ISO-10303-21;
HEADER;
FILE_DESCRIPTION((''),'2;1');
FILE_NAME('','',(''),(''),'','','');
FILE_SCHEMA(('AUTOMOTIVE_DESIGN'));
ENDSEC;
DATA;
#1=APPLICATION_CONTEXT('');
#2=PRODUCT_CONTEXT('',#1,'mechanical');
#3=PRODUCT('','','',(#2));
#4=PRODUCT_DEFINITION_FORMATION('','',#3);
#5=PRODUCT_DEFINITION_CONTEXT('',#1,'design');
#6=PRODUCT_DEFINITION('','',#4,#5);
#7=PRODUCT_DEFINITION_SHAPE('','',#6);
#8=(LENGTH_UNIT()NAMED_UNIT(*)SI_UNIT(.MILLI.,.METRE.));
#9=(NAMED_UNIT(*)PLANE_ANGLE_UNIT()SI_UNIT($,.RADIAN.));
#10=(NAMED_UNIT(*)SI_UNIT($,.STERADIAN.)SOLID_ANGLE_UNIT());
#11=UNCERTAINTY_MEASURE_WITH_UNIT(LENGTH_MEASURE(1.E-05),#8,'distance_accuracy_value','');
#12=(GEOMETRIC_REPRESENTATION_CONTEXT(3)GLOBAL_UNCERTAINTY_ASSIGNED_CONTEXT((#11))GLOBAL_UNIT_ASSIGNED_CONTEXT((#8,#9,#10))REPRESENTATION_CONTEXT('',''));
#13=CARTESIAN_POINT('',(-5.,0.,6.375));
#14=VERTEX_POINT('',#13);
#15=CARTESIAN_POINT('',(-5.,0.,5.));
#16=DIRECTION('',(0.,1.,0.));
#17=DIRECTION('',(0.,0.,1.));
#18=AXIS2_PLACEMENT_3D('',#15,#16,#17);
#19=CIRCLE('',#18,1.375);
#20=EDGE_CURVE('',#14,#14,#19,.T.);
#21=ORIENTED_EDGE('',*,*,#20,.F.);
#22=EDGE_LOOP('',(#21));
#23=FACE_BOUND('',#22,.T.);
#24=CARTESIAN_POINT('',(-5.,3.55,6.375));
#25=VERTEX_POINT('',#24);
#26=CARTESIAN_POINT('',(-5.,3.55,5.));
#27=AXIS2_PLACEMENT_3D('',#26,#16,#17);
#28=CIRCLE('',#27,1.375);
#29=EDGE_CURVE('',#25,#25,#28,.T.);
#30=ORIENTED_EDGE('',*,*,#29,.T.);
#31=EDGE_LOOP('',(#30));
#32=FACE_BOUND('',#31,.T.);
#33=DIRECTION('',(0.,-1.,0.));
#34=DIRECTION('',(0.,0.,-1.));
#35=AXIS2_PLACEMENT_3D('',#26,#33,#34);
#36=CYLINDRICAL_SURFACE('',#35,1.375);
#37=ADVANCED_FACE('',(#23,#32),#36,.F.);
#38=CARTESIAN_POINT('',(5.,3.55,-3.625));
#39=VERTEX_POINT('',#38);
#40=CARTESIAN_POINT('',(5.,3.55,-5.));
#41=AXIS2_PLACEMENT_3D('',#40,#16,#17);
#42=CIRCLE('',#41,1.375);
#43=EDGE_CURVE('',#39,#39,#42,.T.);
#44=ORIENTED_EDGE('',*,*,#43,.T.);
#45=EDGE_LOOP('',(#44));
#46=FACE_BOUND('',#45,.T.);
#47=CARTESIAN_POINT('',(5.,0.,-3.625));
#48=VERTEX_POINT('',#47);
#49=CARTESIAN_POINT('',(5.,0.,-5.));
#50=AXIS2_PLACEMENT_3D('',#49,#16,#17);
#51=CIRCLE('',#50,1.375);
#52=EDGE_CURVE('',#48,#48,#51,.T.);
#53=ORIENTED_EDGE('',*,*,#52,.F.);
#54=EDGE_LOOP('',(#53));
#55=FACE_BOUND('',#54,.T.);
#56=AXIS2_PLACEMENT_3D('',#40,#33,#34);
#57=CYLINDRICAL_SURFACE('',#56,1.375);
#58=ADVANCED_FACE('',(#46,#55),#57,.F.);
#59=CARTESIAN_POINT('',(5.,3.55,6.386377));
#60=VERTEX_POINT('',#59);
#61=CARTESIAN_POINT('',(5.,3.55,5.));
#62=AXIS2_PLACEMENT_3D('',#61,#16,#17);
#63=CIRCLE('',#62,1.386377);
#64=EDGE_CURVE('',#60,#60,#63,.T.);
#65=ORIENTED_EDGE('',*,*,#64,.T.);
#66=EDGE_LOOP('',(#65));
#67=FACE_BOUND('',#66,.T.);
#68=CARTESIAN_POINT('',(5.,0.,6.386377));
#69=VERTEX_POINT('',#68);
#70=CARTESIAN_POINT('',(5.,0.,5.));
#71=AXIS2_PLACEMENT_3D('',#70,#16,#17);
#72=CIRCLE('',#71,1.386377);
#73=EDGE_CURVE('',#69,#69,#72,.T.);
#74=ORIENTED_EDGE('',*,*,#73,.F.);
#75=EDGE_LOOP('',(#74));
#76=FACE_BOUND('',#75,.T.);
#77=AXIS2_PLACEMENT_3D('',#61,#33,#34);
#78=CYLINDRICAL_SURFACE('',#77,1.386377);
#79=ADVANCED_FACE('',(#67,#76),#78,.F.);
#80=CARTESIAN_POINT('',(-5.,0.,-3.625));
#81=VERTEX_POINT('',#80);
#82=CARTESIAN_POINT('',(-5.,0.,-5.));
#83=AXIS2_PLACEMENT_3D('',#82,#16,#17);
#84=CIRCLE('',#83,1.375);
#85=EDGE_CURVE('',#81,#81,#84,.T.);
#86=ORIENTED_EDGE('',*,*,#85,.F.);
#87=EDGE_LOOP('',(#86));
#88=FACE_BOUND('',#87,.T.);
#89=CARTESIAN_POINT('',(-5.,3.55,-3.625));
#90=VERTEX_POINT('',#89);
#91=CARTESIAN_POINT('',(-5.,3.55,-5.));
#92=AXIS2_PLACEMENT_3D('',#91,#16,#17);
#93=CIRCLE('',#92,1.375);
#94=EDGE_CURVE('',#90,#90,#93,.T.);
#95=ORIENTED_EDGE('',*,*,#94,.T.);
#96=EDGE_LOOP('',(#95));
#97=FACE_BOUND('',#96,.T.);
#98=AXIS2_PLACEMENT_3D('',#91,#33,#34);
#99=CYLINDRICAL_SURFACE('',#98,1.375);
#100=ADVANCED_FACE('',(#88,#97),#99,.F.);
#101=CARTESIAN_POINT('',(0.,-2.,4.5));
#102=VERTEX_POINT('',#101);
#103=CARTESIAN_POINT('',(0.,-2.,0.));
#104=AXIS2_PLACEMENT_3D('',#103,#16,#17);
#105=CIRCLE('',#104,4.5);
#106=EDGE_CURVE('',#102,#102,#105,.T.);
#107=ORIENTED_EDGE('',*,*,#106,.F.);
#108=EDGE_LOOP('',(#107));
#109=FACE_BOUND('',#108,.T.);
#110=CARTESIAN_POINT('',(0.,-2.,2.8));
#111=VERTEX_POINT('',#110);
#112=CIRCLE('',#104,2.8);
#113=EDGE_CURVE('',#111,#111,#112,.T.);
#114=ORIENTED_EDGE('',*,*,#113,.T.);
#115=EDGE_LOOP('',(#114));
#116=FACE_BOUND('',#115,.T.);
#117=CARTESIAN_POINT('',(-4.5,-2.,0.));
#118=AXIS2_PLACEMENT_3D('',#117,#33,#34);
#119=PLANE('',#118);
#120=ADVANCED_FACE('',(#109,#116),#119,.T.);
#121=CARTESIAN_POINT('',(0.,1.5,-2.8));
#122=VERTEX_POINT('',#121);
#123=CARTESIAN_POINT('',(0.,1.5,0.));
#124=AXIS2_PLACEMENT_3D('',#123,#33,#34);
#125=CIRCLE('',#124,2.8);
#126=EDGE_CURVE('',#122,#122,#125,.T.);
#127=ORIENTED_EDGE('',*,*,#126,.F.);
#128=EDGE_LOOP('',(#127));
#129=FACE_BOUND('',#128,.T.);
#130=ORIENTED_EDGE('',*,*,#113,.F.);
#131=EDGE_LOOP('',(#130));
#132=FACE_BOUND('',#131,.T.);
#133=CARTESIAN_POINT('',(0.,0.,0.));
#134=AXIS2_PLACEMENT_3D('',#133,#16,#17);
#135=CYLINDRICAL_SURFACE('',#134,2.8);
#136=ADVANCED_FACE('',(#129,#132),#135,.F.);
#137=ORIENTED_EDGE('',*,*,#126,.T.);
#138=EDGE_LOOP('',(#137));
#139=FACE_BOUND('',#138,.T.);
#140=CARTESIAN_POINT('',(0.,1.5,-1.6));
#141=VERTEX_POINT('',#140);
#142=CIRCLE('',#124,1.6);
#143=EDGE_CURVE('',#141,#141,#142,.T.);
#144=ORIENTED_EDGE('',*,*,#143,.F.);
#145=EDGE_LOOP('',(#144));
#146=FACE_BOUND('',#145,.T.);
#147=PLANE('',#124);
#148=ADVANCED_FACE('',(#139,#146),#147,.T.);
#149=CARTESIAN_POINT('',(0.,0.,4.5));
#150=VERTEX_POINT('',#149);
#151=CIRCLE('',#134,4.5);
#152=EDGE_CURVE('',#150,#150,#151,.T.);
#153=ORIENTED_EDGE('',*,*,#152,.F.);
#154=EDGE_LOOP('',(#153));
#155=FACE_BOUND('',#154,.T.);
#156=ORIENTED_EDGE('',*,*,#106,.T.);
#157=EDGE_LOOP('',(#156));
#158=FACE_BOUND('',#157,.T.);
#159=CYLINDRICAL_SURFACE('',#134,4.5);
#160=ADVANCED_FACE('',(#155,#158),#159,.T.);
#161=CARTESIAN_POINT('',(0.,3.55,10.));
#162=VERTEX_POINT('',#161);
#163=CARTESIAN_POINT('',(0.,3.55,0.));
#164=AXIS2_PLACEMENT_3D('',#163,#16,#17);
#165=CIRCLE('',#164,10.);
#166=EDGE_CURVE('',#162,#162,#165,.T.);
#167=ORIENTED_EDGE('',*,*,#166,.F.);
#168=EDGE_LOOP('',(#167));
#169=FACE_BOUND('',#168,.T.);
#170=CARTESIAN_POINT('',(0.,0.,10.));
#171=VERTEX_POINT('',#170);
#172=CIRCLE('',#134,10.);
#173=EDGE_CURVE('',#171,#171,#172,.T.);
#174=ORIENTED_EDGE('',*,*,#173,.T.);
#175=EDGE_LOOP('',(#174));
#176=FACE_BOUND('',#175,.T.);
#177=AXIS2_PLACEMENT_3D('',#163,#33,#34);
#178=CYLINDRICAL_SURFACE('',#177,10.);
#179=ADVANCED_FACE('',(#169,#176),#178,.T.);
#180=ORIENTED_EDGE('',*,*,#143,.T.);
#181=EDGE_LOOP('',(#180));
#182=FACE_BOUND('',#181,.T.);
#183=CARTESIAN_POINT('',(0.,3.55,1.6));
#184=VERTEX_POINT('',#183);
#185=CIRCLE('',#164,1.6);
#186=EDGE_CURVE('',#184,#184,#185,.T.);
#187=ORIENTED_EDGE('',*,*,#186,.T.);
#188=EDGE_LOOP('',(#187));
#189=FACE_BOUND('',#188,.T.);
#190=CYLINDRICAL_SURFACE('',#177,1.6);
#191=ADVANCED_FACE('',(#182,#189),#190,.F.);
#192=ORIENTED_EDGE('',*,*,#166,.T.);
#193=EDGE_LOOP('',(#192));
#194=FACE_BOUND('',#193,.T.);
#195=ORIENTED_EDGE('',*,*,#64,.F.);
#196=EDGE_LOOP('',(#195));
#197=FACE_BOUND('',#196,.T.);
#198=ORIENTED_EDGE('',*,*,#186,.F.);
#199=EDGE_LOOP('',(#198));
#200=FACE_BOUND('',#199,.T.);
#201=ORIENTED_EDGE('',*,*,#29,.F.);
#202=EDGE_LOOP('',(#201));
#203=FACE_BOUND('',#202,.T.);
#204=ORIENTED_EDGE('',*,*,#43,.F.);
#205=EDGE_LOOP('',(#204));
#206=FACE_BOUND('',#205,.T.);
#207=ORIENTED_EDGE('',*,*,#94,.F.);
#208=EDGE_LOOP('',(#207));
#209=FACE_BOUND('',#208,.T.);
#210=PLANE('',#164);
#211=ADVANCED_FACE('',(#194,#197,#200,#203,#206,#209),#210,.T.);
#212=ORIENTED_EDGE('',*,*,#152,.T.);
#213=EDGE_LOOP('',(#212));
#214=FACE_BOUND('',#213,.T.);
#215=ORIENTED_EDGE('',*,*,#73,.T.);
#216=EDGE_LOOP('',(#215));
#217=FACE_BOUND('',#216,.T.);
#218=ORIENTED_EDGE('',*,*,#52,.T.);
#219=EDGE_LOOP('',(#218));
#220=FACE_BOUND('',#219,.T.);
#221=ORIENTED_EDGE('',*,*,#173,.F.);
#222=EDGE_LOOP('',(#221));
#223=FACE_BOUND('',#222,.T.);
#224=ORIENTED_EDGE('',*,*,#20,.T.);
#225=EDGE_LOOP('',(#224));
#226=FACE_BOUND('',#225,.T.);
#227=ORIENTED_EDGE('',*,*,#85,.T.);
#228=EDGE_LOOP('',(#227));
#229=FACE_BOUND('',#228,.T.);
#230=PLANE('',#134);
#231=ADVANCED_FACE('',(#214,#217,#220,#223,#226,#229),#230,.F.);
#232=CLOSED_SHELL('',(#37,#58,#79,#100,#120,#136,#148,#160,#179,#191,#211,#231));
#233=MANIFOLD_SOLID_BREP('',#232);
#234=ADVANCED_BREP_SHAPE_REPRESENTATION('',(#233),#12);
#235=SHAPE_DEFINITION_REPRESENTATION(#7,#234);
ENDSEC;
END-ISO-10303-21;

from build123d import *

# Parameters (mm, degrees)
SKETCH1_R           = 10
SKETCH1_R_2         = 1.6
SKETCH1_R_3         = 1.375
SKETCH1_R_4         = 1.386376747
BOSS_EXTRUDE1_DEPTH = 3.55
SKETCH2_W           = 1.7
SKETCH2_H           = 3.5
CUT_EXTRUDE1_START  = -1.5
SKETCH3_R           = 2.8
CUT_EXTRUDE1_DEPTH  = 1.5


with BuildPart() as part:
    # Sketch1 → Boss-Extrude1 (new body)
    with BuildSketch(Plane(origin=(0, 0, 0), x_dir=(1, 0, 0), z_dir=(0, 1, 0))):
        with Locations(Location((0, 0, 0), (0, 0, 270))):
            Circle(SKETCH1_R)
        with Locations(Location((0, 0, 0), (0, 0, 270))):
            Circle(SKETCH1_R_2, mode=Mode.SUBTRACT)
        with Locations(Location((-5, -5, 0), (0, 0, 270))):
            Circle(SKETCH1_R_3, mode=Mode.SUBTRACT)
        with Locations(Location((5, -5, 0), (0, 0, 270))):
            Circle(SKETCH1_R_4, mode=Mode.SUBTRACT)
        with Locations(Location((5, 5, 0), (0, 0, 270))):
            Circle(SKETCH1_R_3, mode=Mode.SUBTRACT)
        with Locations(Location((-5, 5, 0), (0, 0, 270))):
            Circle(SKETCH1_R_3, mode=Mode.SUBTRACT)
    extrude(amount=BOSS_EXTRUDE1_DEPTH)

    # Sketch2 → Revolve1 (revolve)
    with BuildSketch(Plane.XY, mode=Mode.PRIVATE) as revolve1_sk:
        with Locations((-3.65, -0.25)):
            Rectangle(SKETCH2_W, SKETCH2_H)
    revolve(revolve1_sk.sketch.rotate(Axis((0, 0, 0), (0, -1, 0)), 270), axis=Axis((0, 0, 0), (0, -1, 0)))

    # Sketch3 → Cut-Extrude1 (cut)
    with BuildSketch(Plane.XZ.offset(CUT_EXTRUDE1_START)):
        with Locations(Location((0, 0, 0), (0, 0, 90))):
            Circle(SKETCH3_R)
    extrude(amount=CUT_EXTRUDE1_DEPTH, mode=Mode.SUBTRACT)


solid = part.part
